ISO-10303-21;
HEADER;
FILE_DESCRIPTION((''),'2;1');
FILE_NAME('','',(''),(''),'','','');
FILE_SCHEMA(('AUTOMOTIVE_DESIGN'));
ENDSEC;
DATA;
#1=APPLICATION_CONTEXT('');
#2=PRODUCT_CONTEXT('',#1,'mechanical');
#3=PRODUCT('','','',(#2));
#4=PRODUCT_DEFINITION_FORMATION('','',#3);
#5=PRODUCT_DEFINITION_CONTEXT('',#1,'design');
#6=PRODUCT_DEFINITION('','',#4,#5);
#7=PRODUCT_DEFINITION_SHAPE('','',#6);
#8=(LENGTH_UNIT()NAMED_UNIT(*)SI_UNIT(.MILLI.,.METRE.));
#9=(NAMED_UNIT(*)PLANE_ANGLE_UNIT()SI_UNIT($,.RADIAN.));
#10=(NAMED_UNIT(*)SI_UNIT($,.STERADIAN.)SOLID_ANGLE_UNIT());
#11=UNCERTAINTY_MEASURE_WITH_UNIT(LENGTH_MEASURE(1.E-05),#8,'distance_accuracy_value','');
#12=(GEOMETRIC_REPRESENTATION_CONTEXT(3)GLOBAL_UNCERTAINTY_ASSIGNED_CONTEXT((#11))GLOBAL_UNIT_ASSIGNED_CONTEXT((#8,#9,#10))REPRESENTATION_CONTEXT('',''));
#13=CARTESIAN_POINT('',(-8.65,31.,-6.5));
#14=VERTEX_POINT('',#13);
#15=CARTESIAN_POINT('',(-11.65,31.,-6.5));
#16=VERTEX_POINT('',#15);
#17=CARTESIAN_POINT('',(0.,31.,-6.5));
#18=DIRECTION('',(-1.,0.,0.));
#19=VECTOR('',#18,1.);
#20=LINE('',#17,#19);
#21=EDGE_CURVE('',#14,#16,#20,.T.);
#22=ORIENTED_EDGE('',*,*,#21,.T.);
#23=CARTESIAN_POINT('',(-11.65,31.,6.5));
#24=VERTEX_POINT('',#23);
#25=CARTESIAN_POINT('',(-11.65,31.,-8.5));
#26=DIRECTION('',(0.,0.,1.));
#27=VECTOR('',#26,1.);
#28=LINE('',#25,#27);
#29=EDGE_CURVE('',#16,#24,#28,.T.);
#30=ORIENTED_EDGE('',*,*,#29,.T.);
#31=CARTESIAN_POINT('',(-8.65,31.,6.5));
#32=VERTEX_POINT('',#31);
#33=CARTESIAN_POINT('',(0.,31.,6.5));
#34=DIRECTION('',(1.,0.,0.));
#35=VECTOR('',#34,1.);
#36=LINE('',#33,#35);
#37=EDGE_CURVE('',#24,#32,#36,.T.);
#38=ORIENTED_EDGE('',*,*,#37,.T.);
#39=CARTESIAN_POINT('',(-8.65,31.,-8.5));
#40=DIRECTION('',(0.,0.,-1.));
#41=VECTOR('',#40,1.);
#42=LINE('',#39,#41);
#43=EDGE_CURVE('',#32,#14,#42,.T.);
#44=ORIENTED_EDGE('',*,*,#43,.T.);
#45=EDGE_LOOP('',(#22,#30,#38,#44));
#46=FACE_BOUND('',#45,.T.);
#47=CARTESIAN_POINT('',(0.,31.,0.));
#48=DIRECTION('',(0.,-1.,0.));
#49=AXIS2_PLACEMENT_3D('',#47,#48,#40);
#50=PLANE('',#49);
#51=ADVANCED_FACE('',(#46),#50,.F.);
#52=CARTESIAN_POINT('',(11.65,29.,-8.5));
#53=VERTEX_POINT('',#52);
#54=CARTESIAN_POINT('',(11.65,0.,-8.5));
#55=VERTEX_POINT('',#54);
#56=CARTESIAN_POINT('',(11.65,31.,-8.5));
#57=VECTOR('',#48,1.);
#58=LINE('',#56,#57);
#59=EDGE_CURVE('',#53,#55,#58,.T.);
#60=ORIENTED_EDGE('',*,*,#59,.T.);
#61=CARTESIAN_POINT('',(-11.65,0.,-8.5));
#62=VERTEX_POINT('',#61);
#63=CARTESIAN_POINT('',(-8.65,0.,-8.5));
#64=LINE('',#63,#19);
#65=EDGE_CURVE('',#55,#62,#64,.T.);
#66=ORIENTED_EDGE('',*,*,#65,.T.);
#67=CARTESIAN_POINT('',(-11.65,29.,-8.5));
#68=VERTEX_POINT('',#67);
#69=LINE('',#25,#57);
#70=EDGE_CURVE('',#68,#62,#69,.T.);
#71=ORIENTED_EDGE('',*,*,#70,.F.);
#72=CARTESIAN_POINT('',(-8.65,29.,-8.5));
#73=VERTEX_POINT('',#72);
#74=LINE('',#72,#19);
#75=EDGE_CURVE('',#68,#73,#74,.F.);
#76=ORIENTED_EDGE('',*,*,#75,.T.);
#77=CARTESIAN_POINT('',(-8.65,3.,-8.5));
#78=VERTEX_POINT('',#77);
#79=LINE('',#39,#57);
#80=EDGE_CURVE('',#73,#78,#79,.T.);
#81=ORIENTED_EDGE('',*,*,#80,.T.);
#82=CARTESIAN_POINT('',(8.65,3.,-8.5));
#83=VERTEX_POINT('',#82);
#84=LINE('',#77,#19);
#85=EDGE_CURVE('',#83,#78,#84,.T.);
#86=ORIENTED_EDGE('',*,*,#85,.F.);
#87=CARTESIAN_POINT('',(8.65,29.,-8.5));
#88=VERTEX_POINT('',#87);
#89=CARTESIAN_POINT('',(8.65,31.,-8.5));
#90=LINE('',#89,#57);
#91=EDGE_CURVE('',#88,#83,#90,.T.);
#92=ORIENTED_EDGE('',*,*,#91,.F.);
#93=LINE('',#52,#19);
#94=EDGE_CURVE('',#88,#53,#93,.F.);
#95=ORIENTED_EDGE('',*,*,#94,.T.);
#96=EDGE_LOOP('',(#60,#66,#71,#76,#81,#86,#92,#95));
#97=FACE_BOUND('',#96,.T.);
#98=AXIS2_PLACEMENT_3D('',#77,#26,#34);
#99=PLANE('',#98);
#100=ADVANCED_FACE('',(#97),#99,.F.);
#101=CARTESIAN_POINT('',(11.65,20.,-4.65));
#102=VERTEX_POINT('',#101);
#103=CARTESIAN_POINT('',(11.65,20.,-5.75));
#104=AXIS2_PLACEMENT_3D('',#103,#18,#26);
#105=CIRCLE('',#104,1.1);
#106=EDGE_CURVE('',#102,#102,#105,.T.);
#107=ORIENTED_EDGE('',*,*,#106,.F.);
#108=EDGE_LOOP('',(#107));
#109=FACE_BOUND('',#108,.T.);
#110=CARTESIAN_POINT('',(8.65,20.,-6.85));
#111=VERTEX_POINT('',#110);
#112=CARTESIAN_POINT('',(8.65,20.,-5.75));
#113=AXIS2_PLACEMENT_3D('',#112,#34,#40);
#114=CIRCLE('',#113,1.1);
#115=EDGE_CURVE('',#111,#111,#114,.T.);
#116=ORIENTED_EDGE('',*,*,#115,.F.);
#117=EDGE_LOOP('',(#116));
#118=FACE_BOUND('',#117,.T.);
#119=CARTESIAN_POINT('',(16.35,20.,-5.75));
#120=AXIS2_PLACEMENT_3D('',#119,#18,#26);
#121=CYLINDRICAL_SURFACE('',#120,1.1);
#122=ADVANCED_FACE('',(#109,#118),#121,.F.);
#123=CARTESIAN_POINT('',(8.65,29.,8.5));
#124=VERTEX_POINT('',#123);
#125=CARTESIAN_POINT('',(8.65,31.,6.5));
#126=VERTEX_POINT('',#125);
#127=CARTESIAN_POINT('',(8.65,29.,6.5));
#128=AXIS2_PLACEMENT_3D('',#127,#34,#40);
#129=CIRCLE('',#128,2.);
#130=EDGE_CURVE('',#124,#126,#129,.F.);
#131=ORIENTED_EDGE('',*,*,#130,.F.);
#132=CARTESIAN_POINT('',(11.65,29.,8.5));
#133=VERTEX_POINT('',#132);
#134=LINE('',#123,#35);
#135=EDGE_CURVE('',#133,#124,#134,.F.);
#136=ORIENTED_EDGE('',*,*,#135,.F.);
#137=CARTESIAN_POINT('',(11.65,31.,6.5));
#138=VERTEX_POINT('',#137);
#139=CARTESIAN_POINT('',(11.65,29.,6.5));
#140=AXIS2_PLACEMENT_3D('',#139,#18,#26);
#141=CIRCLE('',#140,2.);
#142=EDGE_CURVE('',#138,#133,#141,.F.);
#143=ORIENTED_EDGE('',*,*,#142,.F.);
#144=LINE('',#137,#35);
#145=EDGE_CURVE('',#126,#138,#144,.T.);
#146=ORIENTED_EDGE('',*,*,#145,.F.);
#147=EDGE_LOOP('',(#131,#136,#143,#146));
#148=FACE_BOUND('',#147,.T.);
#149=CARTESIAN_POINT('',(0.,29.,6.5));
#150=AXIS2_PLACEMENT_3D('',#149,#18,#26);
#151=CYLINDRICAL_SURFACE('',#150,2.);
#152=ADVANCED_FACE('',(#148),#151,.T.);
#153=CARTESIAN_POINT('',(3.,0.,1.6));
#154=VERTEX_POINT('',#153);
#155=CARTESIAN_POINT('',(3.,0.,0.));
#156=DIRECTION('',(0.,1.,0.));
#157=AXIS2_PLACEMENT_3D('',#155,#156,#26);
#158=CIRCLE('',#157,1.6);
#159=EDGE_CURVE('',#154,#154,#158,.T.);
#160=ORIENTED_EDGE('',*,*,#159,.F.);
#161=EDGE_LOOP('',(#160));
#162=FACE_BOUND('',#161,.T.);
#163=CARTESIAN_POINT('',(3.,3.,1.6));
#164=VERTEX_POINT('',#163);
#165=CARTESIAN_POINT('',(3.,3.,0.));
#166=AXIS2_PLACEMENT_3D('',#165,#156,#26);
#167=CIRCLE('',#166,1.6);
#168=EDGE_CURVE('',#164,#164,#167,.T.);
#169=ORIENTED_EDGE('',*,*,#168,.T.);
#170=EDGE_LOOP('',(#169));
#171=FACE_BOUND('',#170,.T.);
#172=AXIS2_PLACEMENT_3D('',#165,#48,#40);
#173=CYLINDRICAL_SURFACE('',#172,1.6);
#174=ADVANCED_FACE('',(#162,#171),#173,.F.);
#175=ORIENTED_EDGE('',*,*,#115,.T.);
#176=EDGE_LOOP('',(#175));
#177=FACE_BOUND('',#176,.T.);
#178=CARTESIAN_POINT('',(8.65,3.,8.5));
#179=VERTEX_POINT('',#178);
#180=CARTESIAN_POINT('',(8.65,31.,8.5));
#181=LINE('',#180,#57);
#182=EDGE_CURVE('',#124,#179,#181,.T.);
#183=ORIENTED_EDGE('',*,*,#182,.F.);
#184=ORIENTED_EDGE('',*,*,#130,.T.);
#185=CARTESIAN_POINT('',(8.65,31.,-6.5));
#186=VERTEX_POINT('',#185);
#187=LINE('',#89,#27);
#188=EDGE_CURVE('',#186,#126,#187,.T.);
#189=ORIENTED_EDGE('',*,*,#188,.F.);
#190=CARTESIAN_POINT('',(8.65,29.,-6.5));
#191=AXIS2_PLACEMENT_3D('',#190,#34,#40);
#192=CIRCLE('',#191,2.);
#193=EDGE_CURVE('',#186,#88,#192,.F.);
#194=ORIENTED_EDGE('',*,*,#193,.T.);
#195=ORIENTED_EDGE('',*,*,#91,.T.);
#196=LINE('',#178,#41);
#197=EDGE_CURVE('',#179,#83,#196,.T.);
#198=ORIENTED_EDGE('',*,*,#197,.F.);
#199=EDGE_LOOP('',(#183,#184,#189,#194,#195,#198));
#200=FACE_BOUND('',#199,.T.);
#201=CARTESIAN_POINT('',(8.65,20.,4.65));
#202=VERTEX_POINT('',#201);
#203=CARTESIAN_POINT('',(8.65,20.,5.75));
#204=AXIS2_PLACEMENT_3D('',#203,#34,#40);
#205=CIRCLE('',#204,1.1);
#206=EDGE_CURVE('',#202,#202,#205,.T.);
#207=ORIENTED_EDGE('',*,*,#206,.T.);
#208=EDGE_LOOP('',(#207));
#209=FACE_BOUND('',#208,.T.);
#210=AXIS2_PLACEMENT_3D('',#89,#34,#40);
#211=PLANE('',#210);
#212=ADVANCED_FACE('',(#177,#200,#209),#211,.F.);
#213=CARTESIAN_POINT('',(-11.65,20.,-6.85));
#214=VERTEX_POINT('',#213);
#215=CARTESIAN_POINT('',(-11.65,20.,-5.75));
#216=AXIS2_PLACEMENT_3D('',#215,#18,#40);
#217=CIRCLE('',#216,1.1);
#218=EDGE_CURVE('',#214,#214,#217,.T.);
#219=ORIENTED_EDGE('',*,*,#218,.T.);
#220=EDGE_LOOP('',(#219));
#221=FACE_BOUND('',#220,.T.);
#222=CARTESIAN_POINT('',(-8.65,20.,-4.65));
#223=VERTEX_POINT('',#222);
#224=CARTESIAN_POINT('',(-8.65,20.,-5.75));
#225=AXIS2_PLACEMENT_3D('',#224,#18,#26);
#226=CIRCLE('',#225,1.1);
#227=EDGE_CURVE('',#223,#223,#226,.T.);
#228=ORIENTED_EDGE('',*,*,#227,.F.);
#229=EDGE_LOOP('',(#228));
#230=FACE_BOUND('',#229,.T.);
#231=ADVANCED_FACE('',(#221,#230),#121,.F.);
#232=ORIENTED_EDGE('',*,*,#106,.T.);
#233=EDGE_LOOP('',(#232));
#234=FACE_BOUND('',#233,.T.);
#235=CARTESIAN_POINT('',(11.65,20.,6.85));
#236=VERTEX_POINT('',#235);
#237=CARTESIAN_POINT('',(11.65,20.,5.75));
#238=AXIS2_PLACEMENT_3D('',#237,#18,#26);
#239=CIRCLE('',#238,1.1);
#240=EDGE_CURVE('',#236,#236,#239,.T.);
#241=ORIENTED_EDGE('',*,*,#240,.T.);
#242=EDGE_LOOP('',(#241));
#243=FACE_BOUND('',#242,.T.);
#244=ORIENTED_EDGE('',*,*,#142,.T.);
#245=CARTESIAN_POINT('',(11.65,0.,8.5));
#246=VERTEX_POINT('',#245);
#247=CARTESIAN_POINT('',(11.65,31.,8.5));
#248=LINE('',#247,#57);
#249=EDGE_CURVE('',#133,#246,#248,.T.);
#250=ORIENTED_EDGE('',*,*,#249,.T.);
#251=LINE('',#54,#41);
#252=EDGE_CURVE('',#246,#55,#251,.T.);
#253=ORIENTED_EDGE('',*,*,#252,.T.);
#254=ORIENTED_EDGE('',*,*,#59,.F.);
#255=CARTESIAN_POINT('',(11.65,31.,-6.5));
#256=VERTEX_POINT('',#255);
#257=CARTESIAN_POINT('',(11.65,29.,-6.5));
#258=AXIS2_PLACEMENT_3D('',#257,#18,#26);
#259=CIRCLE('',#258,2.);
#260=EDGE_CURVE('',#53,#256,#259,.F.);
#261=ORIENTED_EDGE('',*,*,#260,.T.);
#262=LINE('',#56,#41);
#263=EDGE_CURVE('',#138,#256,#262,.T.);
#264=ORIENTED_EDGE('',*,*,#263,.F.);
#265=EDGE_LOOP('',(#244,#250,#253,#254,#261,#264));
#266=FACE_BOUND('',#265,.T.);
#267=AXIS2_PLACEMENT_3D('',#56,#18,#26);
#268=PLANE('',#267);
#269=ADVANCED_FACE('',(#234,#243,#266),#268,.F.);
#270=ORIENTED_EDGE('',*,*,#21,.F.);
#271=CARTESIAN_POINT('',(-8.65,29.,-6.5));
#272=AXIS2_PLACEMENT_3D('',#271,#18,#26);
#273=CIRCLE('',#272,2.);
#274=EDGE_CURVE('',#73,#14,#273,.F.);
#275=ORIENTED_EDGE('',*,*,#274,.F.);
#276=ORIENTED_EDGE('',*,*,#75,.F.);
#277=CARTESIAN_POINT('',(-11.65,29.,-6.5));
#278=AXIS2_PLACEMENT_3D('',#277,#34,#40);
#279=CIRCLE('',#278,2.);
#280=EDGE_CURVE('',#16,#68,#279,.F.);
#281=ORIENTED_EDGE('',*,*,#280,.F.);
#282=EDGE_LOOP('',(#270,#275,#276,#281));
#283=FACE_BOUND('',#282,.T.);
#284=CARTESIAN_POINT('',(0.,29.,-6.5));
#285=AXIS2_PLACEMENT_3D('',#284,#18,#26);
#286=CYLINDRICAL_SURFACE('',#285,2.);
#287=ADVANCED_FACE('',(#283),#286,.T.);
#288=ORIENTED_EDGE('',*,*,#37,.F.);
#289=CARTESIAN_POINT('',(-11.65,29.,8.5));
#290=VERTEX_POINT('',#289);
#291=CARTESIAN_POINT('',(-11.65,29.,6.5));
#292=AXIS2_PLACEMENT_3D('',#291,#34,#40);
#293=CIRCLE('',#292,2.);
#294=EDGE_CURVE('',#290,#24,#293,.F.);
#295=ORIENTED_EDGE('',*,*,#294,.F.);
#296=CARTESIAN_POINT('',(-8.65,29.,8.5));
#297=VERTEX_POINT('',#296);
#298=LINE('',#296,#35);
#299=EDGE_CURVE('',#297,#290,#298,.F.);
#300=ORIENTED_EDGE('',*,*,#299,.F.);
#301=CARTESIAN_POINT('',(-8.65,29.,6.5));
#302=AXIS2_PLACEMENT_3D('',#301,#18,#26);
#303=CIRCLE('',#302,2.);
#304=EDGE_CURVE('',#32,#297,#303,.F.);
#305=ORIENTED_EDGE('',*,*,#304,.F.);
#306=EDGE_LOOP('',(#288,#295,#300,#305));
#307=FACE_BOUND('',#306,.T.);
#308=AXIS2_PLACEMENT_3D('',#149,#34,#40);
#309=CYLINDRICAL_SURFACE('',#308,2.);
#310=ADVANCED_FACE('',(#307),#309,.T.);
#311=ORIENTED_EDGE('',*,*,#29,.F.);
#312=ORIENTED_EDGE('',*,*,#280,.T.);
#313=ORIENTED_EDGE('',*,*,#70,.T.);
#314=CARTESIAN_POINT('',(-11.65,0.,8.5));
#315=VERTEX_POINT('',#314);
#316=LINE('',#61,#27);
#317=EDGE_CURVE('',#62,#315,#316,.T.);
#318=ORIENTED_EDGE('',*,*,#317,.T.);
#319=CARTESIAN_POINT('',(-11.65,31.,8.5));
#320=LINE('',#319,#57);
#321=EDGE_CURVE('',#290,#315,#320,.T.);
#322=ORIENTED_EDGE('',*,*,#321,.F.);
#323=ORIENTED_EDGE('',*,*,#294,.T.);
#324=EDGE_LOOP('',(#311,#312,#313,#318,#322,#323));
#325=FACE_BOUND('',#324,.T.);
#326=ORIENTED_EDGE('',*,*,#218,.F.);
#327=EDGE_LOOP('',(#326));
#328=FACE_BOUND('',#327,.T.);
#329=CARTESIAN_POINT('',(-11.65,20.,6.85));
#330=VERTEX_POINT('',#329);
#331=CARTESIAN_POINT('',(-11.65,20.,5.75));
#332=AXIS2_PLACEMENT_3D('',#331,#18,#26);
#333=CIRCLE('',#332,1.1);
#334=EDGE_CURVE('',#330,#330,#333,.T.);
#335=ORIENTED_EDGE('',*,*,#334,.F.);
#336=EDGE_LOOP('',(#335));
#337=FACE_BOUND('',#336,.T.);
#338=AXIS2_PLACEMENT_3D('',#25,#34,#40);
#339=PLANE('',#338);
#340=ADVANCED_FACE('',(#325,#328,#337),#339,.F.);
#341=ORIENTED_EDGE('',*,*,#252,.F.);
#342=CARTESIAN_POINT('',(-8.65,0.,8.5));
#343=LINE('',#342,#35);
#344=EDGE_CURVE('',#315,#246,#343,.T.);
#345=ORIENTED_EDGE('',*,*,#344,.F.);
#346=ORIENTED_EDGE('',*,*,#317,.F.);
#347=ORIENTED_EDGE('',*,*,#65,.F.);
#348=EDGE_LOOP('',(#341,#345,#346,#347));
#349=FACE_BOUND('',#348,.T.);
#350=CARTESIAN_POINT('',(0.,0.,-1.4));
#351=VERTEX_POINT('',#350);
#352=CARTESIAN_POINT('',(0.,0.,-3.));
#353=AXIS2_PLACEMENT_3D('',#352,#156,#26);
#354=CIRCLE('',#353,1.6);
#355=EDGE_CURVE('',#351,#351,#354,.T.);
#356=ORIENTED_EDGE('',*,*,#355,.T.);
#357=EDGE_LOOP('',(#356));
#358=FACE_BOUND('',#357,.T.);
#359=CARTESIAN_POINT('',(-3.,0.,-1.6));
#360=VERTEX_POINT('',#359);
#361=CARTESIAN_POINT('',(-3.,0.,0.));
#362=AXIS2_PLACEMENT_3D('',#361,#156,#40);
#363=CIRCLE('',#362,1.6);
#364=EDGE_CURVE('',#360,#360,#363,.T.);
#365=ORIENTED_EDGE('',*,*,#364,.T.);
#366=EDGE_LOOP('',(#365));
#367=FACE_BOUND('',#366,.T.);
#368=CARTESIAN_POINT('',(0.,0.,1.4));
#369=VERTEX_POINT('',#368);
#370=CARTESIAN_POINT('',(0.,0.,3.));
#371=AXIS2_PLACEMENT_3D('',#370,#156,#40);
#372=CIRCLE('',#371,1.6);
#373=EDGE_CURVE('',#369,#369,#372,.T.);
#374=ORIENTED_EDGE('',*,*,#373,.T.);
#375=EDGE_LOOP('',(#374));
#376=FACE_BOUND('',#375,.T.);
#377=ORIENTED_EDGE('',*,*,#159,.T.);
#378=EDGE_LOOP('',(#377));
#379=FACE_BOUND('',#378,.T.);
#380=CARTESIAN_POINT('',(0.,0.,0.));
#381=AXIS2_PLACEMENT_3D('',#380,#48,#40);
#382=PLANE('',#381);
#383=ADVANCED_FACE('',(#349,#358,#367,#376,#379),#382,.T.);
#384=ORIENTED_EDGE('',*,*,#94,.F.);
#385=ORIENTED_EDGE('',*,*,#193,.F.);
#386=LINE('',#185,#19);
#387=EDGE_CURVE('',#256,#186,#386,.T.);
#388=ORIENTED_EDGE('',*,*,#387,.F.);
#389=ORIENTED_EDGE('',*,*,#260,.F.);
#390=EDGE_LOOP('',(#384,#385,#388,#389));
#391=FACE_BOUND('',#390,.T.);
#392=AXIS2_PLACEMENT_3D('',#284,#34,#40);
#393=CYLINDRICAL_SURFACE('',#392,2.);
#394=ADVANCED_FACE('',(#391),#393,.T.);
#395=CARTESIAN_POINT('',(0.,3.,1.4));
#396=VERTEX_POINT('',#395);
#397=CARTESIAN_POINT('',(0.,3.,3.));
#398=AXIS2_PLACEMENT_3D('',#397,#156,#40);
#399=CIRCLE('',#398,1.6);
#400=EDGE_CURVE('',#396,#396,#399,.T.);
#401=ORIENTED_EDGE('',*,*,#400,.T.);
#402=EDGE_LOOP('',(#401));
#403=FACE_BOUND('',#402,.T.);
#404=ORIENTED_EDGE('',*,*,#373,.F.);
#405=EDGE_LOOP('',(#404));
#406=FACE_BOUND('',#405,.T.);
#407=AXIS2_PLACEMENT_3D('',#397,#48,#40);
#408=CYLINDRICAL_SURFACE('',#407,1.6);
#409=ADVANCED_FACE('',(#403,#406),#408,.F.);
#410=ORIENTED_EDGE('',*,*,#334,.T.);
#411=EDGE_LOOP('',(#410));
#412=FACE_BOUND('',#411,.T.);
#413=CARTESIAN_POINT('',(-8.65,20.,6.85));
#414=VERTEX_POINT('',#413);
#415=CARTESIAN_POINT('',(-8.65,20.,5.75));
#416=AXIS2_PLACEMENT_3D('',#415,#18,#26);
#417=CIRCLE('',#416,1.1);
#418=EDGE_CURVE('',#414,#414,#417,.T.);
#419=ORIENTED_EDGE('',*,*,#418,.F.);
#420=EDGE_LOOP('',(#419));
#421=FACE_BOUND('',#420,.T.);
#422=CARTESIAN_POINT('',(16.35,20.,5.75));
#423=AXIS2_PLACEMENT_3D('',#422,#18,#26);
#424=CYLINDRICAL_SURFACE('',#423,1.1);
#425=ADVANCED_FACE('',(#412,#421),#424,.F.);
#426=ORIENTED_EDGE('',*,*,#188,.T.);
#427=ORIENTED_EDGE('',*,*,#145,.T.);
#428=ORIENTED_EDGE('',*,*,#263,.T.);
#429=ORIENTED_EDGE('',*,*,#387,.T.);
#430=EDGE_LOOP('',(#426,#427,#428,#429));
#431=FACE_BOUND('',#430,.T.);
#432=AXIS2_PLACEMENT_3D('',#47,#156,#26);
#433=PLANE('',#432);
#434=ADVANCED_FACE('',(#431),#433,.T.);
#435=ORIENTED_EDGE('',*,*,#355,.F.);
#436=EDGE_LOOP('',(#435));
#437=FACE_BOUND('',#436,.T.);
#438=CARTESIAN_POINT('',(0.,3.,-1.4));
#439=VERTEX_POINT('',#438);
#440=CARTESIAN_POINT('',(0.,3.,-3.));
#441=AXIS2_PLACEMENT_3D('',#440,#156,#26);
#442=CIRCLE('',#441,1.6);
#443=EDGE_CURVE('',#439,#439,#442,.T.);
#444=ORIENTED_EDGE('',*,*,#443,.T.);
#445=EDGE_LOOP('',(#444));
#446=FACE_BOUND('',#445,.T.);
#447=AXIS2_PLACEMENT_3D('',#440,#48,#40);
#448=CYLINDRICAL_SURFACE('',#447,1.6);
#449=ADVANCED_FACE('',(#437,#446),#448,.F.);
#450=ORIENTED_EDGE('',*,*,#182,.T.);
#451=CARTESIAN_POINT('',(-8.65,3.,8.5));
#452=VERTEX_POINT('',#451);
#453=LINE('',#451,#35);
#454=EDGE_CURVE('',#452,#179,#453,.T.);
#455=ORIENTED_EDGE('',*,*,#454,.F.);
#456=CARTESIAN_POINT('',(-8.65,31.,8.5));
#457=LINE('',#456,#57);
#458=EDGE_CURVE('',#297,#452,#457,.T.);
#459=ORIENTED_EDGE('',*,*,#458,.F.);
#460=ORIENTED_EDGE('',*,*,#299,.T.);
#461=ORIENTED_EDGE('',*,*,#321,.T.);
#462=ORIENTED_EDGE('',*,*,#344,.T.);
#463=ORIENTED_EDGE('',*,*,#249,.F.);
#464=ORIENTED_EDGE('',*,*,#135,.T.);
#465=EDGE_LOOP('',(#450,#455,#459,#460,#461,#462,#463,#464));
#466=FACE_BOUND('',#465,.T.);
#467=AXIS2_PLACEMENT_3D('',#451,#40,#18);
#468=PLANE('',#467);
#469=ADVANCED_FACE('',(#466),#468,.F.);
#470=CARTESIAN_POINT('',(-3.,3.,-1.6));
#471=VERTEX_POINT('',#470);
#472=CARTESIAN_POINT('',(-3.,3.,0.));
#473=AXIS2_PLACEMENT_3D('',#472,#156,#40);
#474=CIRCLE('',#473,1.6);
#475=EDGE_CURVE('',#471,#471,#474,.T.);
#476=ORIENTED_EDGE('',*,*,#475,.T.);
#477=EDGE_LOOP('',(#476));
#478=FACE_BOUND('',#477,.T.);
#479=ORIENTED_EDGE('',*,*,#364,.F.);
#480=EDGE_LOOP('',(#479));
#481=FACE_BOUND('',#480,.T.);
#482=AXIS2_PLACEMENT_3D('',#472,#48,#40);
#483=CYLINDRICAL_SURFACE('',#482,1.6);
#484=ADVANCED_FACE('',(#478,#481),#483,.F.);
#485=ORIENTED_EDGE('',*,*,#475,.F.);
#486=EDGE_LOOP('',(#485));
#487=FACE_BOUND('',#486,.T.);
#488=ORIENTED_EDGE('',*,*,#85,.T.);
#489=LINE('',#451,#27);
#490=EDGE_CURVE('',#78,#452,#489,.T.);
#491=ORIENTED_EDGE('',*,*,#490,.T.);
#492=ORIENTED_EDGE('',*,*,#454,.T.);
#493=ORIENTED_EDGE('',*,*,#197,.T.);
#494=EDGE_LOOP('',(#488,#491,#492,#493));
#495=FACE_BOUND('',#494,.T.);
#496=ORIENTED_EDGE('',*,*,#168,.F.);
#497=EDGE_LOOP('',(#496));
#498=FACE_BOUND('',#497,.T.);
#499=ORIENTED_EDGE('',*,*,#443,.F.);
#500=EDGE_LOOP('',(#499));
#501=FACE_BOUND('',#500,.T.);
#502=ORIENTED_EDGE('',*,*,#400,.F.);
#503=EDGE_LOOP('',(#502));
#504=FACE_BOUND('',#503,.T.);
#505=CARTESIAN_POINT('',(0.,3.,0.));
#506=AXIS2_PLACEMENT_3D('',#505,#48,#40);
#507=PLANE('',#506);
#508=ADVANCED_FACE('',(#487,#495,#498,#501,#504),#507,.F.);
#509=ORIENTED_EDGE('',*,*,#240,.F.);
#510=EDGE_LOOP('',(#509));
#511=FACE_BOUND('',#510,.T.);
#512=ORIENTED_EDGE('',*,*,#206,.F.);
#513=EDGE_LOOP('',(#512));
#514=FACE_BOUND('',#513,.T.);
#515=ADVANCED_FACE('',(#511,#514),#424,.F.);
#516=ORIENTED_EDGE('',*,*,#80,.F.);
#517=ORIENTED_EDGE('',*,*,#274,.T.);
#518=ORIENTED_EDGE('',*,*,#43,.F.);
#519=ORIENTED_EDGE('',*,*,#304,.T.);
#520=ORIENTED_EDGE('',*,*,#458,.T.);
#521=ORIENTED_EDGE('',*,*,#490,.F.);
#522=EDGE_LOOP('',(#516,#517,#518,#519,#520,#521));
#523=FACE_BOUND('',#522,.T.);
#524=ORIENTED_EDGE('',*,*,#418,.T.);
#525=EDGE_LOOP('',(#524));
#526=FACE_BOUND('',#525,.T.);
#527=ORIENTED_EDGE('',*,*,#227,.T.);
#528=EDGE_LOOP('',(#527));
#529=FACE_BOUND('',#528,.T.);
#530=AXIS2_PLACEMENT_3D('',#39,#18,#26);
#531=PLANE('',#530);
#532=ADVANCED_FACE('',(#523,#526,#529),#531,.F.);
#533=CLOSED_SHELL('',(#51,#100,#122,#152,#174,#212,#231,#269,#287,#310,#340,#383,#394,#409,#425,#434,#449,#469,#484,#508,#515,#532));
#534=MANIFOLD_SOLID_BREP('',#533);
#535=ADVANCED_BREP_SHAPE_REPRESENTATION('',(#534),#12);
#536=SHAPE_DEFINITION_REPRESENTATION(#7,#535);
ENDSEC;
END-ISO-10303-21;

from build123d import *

# Parameters (mm, degrees)
SKETCH_1_W          = 17.3
SKETCH_1_H          = 17
SKETCH_1_R          = 1.6
EXTRUDE_1_DEPTH     = 3
SKETCH_2_W          = 3
SKETCH_2_H          = 17
EXTRUDE_2_DEPTH     = 31
FILLET_1_R          = 2
SKETCH_3_R          = 1.1
CUT_EXTRUDE_1_DEPTH = 28


with BuildPart() as part:
    # 草图1 → 凸台-拉伸1 (new body)
    with BuildSketch(Plane(origin=(0, 0, 0), x_dir=(1, 0, 0), z_dir=(0, 1, 0))):
        Rectangle(SKETCH_1_W, SKETCH_1_H)
        with Locations(Location((0, 3, 0), (0, 0, 270))):
            Circle(SKETCH_1_R, mode=Mode.SUBTRACT)
        with Locations(Location((3, 0, 0), (0, 0, 270))):
            Circle(SKETCH_1_R, mode=Mode.SUBTRACT)
        with Locations(Location((0, -3, 0), (0, 0, 90))):
            Circle(SKETCH_1_R, mode=Mode.SUBTRACT)
        with Locations(Location((-3, 0, 0), (0, 0, 90))):
            Circle(SKETCH_1_R, mode=Mode.SUBTRACT)
    extrude(amount=EXTRUDE_1_DEPTH)

    # 草图2 → 凸台-拉伸2 (add)
    with BuildSketch(Plane(origin=(0, 0, 0), x_dir=(1, 0, 0), z_dir=(0, 1, 0))):
        with Locations((10.15, 0)):
            Rectangle(SKETCH_2_W, SKETCH_2_H)
        with Locations((-10.15, 0)):
            Rectangle(SKETCH_2_W, SKETCH_2_H)
    extrude(amount=EXTRUDE_2_DEPTH)

    # 圆角1
    fillet_1_edges = [part.edges().sort_by_distance(p)[0] for p in [
        (-10.15, 31, -8.5),
        (-10.15, 31, 8.5),
        (10.15, 31, 8.5),
        (10.15, 31, -8.5),
    ]]
    fillet(fillet_1_edges, radius=FILLET_1_R)

    # 草图3 → 切除-拉伸1 (cut)
    with BuildSketch(Plane.ZY.offset(11.65)):
        with Locations((5.75, 20)):
            Circle(SKETCH_3_R)
        with Locations((-5.75, 20)):
            Circle(SKETCH_3_R)
    extrude(amount=-CUT_EXTRUDE_1_DEPTH, mode=Mode.SUBTRACT)


solid = part.part
